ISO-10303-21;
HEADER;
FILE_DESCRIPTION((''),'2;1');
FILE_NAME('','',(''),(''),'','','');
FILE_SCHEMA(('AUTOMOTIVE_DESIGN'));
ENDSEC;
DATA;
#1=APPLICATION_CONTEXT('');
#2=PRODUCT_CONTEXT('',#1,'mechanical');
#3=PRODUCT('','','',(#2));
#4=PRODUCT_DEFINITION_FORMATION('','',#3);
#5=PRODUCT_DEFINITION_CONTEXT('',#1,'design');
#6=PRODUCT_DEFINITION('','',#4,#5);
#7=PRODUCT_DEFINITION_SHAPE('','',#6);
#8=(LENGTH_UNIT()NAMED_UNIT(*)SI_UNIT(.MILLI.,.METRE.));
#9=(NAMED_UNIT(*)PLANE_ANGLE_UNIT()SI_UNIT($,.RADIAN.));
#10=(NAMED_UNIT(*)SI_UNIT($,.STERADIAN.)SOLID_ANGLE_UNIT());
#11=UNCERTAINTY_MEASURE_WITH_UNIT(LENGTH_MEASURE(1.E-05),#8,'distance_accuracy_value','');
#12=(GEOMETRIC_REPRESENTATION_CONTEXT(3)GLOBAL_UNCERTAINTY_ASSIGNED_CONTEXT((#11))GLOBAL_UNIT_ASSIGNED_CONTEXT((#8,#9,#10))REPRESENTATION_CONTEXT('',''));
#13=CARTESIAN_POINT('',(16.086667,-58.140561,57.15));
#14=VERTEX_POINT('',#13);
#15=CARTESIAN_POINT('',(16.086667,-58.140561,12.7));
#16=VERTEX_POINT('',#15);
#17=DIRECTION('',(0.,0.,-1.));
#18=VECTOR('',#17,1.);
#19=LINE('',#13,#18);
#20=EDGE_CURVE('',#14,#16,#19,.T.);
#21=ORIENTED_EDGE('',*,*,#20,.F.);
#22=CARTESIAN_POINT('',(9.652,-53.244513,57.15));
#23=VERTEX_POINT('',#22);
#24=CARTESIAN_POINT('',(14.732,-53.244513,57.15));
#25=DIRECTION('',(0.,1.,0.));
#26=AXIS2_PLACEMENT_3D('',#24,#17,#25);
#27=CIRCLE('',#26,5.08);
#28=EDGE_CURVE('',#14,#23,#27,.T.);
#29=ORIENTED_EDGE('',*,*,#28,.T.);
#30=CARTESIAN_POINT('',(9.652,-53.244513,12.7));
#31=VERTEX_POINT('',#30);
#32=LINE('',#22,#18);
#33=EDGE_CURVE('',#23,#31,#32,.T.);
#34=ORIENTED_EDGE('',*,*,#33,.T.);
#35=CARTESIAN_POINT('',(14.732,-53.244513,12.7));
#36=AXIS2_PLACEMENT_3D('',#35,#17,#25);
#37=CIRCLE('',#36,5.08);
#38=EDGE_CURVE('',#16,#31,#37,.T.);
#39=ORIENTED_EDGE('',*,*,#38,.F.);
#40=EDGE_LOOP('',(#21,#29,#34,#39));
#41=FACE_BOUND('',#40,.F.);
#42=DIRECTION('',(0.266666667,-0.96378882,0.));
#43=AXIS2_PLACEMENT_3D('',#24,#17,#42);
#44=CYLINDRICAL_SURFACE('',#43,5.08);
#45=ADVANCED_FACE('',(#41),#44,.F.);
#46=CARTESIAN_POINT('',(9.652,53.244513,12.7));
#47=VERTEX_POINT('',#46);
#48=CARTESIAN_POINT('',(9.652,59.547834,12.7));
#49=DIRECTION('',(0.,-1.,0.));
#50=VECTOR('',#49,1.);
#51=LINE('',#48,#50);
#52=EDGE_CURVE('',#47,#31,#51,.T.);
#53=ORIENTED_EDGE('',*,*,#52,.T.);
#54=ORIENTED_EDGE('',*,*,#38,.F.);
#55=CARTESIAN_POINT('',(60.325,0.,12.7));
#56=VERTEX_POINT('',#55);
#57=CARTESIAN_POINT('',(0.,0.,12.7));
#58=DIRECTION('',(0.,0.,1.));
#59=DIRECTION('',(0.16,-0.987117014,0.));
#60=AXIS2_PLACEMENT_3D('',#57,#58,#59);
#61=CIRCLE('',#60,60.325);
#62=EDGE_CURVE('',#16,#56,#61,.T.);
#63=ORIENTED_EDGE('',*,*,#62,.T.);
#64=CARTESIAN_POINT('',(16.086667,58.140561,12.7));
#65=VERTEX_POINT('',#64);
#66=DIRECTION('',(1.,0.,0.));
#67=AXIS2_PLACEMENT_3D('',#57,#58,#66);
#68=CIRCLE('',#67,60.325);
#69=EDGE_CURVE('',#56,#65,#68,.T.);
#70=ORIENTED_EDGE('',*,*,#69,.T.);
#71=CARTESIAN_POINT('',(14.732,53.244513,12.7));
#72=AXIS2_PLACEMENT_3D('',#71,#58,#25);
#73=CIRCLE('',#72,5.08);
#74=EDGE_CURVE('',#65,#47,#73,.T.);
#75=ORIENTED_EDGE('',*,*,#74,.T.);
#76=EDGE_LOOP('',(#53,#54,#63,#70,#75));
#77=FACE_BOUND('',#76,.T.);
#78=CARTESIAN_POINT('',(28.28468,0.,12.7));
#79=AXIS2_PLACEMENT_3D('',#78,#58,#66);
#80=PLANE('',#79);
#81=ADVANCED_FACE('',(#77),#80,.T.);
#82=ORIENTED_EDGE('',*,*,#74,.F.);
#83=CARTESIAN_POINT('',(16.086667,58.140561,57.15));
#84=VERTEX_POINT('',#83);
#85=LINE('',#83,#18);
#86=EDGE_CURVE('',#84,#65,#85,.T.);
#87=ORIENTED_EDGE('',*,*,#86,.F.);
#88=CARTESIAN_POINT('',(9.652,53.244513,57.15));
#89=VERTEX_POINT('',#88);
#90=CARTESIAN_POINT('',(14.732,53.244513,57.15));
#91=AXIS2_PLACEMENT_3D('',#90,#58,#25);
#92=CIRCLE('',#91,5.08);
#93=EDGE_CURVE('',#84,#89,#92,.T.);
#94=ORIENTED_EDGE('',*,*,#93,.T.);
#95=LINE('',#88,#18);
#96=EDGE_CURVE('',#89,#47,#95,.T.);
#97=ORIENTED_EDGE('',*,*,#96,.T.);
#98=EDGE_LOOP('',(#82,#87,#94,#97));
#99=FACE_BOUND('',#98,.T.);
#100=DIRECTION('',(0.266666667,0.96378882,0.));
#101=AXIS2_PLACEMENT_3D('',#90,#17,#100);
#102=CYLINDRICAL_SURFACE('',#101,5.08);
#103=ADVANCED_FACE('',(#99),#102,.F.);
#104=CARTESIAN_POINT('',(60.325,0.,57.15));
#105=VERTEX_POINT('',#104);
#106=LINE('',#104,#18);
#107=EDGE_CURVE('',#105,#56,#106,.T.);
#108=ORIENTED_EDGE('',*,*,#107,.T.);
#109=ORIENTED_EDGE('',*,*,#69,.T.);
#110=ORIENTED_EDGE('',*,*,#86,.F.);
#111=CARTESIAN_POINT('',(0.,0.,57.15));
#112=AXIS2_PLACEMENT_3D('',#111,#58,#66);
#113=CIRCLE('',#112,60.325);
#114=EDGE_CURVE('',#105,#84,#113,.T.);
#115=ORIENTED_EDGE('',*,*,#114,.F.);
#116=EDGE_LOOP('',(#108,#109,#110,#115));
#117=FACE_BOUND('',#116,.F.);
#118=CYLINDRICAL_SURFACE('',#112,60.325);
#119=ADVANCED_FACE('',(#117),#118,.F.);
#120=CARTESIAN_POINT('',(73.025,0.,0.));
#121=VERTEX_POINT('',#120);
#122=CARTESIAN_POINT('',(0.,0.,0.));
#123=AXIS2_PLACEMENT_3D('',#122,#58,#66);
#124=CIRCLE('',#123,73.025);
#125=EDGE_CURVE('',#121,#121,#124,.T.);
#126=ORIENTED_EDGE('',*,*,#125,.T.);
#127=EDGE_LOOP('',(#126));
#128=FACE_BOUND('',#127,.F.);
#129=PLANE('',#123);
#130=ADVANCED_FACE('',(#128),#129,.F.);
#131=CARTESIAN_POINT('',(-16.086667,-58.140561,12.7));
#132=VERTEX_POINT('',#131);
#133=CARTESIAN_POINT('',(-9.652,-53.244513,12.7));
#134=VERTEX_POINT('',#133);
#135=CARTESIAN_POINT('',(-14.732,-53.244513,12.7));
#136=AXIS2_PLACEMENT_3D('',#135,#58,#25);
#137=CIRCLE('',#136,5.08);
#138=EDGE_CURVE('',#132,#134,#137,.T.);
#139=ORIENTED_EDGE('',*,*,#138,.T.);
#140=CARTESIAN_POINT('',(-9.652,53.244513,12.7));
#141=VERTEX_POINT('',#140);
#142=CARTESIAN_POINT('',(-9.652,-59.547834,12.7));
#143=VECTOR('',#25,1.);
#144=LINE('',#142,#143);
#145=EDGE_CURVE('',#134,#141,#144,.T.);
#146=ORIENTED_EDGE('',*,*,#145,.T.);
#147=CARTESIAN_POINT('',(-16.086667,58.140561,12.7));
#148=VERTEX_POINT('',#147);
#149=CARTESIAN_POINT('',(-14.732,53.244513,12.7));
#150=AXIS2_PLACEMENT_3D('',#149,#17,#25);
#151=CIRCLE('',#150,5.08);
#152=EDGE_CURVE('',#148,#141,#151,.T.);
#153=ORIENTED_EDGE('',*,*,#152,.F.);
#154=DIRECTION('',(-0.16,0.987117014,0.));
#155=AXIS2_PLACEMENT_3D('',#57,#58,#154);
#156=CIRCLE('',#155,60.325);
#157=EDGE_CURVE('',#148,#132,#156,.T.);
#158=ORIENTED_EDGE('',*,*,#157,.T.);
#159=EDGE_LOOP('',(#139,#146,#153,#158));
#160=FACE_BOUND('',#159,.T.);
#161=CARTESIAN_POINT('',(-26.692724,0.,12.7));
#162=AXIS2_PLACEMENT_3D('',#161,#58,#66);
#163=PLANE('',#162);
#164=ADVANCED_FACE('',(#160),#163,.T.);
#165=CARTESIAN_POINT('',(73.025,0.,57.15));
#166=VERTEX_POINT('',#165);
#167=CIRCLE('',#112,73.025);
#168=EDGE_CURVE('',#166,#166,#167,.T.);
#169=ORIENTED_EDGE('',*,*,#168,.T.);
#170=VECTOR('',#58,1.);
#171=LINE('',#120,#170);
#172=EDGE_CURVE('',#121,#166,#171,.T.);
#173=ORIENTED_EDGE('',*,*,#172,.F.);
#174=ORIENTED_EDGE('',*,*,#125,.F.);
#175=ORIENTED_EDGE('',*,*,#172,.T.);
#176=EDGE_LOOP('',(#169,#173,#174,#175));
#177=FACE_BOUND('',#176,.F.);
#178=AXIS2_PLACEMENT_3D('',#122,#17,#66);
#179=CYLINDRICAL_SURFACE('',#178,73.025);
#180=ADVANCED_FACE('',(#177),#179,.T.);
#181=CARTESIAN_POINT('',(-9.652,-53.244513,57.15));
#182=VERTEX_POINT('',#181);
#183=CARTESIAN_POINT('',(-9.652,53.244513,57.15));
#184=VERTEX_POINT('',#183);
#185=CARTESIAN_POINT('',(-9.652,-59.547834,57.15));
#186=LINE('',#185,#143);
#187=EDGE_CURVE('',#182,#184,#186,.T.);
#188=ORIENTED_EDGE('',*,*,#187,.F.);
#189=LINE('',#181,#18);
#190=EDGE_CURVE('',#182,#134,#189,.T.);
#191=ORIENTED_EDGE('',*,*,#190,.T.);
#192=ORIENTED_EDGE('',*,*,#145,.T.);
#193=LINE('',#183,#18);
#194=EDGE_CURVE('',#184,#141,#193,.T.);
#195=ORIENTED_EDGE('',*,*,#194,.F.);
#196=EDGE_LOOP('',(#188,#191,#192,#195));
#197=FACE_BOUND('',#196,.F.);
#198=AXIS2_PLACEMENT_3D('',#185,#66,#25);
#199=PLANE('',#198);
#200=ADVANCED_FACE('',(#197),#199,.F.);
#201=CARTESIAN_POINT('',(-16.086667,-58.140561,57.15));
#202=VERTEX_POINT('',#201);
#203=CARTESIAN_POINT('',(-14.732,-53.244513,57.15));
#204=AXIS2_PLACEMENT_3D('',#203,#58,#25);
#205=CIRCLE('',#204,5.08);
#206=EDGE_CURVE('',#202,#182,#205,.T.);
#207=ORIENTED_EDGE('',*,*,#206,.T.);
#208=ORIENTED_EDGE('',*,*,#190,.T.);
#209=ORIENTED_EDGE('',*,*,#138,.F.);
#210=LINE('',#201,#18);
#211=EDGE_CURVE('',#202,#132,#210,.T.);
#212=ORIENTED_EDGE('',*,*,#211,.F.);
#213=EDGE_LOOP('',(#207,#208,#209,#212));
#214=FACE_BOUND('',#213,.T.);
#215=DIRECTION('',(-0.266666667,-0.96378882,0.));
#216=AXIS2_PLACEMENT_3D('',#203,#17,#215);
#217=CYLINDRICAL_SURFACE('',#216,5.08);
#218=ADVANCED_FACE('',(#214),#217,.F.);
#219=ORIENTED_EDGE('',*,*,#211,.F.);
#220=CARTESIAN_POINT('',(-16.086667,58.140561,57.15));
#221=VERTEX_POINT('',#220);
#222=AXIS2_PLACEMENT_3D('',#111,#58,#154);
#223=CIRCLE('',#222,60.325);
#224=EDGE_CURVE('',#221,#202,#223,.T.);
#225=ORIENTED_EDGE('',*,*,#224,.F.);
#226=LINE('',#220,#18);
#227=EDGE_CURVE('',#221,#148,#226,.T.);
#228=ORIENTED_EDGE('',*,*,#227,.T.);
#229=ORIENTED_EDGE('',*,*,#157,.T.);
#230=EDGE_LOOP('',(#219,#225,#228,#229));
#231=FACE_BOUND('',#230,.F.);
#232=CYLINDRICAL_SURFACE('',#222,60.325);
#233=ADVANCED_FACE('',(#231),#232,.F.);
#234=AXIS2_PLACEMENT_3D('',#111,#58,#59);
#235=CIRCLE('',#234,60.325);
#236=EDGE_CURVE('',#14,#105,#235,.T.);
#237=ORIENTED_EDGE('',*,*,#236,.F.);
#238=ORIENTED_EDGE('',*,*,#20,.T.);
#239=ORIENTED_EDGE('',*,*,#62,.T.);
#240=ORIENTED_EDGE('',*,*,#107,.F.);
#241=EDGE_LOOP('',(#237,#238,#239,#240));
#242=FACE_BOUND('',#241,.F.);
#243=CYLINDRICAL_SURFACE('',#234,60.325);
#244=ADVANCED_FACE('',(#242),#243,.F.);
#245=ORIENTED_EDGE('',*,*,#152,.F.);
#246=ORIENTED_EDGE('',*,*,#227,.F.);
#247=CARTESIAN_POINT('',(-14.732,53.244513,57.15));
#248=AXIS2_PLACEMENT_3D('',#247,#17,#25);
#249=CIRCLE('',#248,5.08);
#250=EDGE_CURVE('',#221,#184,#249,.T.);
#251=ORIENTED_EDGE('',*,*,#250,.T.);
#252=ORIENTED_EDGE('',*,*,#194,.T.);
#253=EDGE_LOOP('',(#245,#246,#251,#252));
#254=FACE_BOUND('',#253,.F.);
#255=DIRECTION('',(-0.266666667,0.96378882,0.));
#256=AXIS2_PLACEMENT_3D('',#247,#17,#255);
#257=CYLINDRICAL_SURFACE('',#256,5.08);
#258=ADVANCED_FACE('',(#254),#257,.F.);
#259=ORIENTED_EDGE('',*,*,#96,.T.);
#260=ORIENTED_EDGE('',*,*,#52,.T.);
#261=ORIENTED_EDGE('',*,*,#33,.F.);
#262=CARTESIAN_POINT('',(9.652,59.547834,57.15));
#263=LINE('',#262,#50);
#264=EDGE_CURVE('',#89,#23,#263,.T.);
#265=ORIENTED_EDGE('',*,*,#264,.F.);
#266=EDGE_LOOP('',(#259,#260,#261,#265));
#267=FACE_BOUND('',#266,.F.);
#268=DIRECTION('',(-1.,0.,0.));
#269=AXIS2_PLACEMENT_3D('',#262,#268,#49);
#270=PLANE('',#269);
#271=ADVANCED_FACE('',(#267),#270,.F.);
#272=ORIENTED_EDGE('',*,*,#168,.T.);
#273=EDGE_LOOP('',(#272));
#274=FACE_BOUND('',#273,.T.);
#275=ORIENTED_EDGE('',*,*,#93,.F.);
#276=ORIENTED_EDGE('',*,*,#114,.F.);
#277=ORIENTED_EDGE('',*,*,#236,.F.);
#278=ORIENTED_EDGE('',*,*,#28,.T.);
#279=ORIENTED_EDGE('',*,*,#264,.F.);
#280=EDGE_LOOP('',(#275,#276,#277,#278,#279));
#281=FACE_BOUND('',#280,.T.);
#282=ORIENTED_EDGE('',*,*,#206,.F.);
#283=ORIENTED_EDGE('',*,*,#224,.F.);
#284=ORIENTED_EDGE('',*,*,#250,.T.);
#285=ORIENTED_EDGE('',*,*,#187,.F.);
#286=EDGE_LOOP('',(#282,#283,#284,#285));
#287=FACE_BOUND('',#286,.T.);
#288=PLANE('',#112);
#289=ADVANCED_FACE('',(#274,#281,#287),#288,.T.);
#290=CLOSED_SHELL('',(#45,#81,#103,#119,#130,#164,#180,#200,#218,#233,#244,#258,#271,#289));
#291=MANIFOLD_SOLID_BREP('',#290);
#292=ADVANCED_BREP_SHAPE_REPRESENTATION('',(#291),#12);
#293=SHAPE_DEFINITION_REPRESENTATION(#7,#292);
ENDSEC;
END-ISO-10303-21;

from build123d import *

# Parameters (mm, degrees)
F0_R     = 73.025
F1_DEPTH = 57.15
F3_DEPTH = 44.45
F4_R     = 5.08
F5_R     = 5.08


with BuildPart() as f1:
    # F0 (on Top) → F1 (new body)
    with BuildSketch(Plane.XY):
        Circle(F0_R)
    extrude(amount=F1_DEPTH)

    # F2 (on face) → F3 (cut)
    with BuildSketch(Plane.XY.offset(57.15)):
        with BuildLine():
            Line((-9.652, 0), (-9.652, 59.5478338901))
            ThreePointArc((-9.652, 59.5478338901), (-60.325, 0), (-9.652, -59.5478338901))
            Line((-9.652, -59.5478338901), (-9.652, 0))
        make_face()
        with BuildLine():
            ThreePointArc((9.652, -59.5478338901), (45.9421512611, -39.0950682631), (60.325, 0))
            ThreePointArc((60.325, 0), (45.9421512611, 39.0950682631), (9.652, 59.5478338901))
            Line((9.652, 59.5478338901), (9.652, 0))
            Line((9.652, 0), (9.652, -59.5478338901))
        make_face()
    extrude(amount=-F3_DEPTH, mode=Mode.SUBTRACT)

    # F4
    f4_edges = [f1.edges().sort_by_distance(p)[0] for p in [
        (-9.652, 59.547834, 34.925),
    ]]
    fillet(f4_edges, radius=F4_R)

    # F5
    f5_edges = [f1.edges().sort_by_distance(p)[0] for p in [
        (9.652, 59.547834, 34.925),
        (9.652, -59.547834, 34.925),
        (-9.652, -59.547834, 34.925),
    ]]
    fillet(f5_edges, radius=F5_R)


solid = f1.part
